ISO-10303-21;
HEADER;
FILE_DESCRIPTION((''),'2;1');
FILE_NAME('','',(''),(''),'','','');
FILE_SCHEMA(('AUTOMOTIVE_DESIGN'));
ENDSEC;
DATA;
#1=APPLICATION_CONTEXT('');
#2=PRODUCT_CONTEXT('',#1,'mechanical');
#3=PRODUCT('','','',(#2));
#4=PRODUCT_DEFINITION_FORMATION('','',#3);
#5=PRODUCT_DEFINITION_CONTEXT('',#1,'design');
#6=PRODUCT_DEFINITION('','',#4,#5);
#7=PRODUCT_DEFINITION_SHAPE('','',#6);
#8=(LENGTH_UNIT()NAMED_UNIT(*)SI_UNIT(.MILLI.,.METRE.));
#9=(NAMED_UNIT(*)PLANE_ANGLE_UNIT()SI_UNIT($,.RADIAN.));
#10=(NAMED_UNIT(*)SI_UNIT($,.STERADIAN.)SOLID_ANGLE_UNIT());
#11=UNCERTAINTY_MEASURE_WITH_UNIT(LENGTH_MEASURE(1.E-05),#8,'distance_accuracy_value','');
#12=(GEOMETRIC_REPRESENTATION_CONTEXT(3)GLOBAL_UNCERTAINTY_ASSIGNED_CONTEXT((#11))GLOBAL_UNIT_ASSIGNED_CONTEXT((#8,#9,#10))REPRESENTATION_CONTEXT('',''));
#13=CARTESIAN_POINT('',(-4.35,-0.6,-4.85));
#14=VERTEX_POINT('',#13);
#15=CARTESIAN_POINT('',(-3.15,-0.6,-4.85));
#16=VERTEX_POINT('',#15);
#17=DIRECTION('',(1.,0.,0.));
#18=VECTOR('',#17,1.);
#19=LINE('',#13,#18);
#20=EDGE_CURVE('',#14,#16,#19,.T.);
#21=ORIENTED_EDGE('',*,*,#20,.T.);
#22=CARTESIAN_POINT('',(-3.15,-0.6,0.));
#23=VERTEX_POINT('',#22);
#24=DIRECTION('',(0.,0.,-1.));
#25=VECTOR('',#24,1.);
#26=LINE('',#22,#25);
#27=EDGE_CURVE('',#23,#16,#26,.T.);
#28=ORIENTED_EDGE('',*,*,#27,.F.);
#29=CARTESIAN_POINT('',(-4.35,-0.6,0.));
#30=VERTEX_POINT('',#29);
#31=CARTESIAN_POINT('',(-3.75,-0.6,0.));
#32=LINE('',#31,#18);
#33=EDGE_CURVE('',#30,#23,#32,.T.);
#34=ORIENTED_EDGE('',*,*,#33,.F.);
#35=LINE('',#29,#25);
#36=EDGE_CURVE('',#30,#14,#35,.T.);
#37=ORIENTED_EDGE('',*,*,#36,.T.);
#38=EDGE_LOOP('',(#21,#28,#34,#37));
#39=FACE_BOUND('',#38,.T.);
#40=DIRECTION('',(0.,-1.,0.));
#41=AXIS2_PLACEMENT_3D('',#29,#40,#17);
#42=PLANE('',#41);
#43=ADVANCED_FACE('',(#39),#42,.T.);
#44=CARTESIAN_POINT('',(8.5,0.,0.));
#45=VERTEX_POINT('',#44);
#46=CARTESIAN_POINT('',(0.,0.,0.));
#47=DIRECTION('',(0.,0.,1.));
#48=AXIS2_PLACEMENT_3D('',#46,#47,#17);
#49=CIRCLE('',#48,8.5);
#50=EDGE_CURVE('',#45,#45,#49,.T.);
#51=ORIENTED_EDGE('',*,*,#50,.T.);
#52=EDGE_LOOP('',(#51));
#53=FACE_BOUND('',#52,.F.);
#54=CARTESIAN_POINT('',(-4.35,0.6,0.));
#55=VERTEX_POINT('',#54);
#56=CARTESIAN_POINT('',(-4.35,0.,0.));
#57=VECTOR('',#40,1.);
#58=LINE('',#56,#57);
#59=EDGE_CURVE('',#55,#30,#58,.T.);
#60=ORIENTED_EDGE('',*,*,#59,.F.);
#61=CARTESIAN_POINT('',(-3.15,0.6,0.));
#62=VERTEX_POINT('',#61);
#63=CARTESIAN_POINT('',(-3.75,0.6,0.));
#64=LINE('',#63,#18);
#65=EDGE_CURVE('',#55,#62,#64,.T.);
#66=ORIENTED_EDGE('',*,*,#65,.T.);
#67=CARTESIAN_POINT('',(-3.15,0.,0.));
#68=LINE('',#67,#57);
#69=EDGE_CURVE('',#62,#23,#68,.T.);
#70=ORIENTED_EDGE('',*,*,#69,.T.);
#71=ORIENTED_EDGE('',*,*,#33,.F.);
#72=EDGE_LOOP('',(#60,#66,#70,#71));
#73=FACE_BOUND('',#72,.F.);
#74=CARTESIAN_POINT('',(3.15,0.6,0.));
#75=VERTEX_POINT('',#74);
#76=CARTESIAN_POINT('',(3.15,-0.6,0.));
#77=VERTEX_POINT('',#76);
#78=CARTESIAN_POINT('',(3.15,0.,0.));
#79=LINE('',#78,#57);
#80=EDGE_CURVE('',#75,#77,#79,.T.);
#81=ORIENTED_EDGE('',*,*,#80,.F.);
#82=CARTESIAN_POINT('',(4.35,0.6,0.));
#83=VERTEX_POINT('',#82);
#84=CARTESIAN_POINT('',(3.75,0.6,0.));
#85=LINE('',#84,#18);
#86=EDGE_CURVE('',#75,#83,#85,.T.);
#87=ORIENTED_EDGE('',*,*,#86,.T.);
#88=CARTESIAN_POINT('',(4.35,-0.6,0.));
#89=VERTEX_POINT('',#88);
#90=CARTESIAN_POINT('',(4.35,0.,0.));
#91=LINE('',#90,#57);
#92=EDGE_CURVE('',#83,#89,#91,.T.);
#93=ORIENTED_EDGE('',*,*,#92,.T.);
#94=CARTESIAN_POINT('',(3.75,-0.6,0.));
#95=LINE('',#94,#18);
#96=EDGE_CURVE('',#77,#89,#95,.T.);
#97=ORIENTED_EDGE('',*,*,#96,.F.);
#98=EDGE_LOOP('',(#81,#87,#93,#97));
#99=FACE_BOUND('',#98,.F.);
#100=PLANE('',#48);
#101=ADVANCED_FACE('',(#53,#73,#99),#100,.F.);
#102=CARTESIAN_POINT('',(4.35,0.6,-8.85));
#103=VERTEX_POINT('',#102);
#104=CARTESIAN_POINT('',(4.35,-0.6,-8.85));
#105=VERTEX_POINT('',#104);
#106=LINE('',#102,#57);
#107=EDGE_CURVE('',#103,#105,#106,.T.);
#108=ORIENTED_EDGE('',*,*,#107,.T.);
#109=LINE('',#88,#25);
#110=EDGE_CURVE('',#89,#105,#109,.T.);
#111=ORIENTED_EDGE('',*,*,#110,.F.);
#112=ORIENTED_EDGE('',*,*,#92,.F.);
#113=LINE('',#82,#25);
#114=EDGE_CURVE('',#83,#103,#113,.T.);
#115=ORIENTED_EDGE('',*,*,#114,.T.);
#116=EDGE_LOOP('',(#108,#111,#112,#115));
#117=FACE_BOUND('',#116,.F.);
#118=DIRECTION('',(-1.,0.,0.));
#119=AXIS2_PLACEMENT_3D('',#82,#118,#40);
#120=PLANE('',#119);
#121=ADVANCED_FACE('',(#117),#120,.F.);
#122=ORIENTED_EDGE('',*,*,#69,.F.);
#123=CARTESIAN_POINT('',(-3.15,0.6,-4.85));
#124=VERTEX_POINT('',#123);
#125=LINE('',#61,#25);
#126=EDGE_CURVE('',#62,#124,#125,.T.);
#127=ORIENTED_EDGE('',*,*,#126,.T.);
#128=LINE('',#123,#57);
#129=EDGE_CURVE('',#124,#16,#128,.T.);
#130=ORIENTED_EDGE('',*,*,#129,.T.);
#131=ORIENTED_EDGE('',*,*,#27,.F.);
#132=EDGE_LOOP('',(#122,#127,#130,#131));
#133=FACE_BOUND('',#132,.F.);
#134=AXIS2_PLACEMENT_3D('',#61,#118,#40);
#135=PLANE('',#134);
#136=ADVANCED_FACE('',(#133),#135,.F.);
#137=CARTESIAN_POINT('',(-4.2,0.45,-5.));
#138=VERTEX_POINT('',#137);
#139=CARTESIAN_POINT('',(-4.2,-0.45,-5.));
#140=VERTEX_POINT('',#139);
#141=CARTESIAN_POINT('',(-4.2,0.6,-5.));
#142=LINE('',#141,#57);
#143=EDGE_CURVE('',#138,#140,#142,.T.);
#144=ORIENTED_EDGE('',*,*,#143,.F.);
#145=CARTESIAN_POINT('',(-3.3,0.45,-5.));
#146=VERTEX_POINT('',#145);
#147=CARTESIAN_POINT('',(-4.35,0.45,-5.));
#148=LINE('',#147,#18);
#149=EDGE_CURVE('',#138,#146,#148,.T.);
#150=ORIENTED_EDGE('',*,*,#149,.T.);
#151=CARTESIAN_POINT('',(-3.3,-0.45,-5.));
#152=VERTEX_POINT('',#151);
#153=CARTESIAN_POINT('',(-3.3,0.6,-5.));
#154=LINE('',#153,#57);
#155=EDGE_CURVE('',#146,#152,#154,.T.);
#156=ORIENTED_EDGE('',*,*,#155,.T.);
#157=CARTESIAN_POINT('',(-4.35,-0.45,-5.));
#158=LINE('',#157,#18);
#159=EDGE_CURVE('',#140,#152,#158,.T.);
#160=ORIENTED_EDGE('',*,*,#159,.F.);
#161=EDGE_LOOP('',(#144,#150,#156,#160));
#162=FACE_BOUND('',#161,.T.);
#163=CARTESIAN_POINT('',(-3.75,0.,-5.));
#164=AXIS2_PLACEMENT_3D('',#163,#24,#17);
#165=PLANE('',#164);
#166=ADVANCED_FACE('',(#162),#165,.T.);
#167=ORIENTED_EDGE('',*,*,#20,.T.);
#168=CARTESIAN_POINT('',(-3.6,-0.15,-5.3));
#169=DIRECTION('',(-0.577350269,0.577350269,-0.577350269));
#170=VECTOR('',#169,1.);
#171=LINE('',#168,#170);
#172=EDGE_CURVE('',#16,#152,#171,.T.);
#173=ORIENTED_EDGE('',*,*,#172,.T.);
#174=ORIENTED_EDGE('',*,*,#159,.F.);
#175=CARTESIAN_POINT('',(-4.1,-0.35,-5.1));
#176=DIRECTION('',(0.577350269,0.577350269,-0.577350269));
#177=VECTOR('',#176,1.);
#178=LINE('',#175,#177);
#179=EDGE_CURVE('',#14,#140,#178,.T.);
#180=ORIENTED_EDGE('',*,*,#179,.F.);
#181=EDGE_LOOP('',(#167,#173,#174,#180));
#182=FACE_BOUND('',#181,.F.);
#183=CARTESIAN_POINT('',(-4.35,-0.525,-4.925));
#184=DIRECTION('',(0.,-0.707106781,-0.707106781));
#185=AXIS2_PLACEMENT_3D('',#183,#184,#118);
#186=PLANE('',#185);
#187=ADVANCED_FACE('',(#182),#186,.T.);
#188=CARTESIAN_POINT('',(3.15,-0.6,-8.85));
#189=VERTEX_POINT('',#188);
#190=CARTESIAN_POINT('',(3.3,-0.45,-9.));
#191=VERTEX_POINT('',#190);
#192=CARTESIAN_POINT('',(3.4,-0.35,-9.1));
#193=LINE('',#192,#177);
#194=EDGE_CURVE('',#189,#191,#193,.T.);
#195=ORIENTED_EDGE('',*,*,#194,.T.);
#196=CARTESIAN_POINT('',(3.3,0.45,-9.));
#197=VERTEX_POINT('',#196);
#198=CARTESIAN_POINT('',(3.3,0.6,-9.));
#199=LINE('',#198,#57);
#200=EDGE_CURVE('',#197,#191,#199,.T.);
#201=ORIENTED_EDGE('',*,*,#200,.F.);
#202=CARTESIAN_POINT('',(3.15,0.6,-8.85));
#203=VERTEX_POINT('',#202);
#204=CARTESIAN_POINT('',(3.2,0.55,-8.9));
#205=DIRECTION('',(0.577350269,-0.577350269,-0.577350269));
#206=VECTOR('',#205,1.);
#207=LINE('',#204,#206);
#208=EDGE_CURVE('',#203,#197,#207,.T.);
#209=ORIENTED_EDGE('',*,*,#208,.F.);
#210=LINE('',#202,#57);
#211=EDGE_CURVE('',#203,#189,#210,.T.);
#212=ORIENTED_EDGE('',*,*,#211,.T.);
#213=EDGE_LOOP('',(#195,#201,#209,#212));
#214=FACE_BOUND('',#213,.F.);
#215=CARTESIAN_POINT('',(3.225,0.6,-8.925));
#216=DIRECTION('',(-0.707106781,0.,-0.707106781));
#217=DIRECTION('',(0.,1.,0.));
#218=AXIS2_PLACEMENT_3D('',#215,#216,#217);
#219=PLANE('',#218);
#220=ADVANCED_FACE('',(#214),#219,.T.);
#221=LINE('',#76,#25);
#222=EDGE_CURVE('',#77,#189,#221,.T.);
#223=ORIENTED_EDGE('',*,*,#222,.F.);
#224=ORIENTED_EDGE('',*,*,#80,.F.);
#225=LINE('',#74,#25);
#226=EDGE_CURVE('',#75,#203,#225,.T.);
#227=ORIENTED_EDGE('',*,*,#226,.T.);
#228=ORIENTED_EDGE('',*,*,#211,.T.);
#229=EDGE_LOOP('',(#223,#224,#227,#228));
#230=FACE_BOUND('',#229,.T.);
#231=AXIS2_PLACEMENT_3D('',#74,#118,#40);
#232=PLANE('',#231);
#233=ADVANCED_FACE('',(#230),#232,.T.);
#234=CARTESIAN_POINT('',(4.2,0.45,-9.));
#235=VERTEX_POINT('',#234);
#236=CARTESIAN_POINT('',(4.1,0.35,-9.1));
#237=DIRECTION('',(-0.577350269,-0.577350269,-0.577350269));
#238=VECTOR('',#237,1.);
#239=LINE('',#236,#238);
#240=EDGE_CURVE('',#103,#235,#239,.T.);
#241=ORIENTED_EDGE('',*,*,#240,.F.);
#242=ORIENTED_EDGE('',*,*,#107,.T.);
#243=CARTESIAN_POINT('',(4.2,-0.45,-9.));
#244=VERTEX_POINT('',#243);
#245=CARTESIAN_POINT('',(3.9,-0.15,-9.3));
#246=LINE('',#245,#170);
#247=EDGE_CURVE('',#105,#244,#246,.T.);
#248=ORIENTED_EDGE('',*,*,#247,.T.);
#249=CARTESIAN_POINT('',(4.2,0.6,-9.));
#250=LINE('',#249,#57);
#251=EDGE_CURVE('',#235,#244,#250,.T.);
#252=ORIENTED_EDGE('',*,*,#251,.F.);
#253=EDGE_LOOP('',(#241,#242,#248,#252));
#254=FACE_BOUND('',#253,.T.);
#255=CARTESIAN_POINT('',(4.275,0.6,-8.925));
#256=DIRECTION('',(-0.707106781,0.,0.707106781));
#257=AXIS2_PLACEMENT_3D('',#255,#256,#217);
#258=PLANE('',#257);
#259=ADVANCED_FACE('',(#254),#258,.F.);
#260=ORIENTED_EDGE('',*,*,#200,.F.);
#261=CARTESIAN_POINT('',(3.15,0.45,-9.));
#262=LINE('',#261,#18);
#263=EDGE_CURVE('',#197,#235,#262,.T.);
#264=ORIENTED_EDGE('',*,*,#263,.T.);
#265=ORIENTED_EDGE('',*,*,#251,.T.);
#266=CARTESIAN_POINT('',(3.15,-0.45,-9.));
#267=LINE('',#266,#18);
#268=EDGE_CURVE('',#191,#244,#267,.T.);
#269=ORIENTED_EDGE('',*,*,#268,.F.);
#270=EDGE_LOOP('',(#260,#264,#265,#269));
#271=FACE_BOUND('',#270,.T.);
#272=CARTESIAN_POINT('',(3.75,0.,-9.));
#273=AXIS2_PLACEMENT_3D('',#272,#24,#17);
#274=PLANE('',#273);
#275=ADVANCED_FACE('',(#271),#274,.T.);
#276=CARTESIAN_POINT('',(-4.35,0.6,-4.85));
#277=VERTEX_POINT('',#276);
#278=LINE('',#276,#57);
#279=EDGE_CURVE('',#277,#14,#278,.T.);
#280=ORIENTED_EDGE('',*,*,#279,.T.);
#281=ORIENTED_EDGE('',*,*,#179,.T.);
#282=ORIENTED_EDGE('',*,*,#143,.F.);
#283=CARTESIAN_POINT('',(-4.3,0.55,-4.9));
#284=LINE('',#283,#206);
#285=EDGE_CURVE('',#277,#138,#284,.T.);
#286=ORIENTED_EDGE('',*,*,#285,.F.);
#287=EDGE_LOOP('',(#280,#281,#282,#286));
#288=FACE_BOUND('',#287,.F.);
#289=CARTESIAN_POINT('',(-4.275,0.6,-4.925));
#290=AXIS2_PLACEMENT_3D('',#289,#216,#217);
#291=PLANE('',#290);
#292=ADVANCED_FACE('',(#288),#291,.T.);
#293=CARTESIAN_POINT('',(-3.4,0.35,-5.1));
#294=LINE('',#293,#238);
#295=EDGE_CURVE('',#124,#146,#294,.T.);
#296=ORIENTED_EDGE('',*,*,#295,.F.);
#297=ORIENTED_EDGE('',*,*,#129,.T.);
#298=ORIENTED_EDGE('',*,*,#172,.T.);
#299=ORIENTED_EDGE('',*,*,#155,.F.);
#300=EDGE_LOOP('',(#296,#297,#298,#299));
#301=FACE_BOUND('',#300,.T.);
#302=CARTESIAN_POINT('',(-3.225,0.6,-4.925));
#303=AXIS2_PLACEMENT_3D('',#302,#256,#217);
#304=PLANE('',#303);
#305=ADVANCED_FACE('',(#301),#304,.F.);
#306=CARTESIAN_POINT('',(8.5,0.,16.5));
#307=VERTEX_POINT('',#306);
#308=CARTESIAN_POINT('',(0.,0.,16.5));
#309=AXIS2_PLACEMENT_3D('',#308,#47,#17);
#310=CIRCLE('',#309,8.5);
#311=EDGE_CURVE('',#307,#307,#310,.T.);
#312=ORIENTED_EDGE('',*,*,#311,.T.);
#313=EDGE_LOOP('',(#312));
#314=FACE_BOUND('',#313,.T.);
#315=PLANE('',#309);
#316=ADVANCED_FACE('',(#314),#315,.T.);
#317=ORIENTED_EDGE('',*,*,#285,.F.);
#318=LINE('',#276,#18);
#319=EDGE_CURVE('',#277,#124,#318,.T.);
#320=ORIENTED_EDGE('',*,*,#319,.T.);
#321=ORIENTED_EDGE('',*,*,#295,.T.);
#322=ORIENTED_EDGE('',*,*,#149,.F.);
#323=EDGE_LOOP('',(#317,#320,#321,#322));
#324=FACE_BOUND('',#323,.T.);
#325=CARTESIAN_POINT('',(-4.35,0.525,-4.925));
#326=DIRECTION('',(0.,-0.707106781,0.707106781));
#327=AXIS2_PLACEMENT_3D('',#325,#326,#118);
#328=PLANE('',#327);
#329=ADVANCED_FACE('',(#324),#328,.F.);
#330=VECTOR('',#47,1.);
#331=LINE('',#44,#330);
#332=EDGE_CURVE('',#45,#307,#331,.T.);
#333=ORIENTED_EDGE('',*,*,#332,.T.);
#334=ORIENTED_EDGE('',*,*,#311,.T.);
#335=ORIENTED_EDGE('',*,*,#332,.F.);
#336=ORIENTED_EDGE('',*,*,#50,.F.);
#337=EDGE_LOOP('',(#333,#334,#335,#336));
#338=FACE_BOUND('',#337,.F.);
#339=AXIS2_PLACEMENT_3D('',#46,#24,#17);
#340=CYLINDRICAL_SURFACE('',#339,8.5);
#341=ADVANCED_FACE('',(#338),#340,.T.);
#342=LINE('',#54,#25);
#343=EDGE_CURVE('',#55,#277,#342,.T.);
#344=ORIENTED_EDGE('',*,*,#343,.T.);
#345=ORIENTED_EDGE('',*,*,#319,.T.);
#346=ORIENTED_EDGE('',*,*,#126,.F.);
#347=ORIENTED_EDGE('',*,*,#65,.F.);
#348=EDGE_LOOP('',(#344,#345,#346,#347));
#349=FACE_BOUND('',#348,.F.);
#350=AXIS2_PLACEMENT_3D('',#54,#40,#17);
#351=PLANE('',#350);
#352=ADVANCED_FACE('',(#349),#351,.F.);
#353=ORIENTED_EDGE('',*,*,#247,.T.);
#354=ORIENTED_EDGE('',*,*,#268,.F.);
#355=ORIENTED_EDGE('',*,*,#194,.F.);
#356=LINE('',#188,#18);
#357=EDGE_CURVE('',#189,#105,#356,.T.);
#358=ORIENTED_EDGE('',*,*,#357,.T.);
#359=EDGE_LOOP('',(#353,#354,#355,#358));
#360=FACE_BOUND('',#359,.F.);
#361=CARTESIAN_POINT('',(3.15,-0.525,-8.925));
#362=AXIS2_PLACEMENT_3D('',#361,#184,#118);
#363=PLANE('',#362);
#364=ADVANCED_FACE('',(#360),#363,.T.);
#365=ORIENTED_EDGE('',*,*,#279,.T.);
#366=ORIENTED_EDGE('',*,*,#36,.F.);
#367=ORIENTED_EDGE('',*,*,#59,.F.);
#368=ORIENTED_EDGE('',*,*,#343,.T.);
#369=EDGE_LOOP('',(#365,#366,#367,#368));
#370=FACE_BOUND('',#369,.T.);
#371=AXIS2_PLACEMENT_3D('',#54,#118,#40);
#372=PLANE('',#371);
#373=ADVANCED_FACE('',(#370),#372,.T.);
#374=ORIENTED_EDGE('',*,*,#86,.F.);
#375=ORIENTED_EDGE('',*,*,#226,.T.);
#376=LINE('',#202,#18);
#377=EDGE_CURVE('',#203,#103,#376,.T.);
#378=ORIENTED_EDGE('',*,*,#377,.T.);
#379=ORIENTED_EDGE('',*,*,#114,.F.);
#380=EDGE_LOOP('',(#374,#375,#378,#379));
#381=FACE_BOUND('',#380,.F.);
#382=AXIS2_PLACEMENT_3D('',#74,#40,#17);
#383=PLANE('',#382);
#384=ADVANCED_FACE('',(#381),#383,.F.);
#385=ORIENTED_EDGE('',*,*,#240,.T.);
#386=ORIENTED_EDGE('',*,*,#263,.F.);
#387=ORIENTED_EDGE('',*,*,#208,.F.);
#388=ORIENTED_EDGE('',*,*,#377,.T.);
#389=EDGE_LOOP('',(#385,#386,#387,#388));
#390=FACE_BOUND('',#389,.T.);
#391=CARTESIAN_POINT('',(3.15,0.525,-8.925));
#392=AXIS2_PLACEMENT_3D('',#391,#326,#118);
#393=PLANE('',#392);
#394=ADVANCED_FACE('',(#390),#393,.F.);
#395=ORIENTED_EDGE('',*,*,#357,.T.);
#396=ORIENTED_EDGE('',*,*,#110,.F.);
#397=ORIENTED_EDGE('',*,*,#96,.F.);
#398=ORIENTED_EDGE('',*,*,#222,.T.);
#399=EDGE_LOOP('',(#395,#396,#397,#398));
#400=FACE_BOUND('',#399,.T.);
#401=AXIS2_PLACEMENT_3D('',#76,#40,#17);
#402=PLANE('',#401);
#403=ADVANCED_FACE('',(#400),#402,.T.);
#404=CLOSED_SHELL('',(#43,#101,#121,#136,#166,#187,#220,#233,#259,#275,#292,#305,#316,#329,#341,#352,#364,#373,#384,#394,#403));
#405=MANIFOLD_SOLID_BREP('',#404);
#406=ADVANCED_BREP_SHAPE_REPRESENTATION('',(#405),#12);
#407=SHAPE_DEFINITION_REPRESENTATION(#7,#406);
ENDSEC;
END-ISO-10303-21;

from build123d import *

# Parameters (mm, degrees)
F0_R     = 8.5
F1_DEPTH = 16.5
F2_W     = 1.2
F2_H     = 1.2
F3_DEPTH = 5
F4_DEPTH = 9
F5_SIZE  = 0.15


with BuildPart() as f1:
    # F0 (on Top) → F1 (new body)
    with BuildSketch(Plane.XY):
        Circle(F0_R)
    extrude(amount=F1_DEPTH)

    # F2 (on face) → F3 (join)
    with BuildSketch(Plane(origin=(0, 0, 0), x_dir=(1, 0, 0), z_dir=(0, 0, -1))):
        with Locations((-3.75, 0)):
            Rectangle(F2_W, F2_H)
    extrude(amount=F3_DEPTH)

    # F2 (on face) → F4 (join)
    with BuildSketch(Plane(origin=(0, 0, 0), x_dir=(1, 0, 0), z_dir=(0, 0, -1))):
        with Locations((3.75, 0)):
            Rectangle(F2_W, F2_H)
    extrude(amount=F4_DEPTH)

    # F5
    f5_edges = [f1.edges().sort_by_distance(p)[0] for p in [
        (-3.75, -0.6, -5),
        (-4.35, 0, -5),
        (-3.75, 0.6, -5),
        (-3.15, 0, -5),
        (3.15, 0, -9),
        (3.75, -0.6, -9),
        (4.35, 0, -9),
        (3.75, 0.6, -9),
    ]]
    chamfer(f5_edges, length=F5_SIZE)


solid = f1.part
